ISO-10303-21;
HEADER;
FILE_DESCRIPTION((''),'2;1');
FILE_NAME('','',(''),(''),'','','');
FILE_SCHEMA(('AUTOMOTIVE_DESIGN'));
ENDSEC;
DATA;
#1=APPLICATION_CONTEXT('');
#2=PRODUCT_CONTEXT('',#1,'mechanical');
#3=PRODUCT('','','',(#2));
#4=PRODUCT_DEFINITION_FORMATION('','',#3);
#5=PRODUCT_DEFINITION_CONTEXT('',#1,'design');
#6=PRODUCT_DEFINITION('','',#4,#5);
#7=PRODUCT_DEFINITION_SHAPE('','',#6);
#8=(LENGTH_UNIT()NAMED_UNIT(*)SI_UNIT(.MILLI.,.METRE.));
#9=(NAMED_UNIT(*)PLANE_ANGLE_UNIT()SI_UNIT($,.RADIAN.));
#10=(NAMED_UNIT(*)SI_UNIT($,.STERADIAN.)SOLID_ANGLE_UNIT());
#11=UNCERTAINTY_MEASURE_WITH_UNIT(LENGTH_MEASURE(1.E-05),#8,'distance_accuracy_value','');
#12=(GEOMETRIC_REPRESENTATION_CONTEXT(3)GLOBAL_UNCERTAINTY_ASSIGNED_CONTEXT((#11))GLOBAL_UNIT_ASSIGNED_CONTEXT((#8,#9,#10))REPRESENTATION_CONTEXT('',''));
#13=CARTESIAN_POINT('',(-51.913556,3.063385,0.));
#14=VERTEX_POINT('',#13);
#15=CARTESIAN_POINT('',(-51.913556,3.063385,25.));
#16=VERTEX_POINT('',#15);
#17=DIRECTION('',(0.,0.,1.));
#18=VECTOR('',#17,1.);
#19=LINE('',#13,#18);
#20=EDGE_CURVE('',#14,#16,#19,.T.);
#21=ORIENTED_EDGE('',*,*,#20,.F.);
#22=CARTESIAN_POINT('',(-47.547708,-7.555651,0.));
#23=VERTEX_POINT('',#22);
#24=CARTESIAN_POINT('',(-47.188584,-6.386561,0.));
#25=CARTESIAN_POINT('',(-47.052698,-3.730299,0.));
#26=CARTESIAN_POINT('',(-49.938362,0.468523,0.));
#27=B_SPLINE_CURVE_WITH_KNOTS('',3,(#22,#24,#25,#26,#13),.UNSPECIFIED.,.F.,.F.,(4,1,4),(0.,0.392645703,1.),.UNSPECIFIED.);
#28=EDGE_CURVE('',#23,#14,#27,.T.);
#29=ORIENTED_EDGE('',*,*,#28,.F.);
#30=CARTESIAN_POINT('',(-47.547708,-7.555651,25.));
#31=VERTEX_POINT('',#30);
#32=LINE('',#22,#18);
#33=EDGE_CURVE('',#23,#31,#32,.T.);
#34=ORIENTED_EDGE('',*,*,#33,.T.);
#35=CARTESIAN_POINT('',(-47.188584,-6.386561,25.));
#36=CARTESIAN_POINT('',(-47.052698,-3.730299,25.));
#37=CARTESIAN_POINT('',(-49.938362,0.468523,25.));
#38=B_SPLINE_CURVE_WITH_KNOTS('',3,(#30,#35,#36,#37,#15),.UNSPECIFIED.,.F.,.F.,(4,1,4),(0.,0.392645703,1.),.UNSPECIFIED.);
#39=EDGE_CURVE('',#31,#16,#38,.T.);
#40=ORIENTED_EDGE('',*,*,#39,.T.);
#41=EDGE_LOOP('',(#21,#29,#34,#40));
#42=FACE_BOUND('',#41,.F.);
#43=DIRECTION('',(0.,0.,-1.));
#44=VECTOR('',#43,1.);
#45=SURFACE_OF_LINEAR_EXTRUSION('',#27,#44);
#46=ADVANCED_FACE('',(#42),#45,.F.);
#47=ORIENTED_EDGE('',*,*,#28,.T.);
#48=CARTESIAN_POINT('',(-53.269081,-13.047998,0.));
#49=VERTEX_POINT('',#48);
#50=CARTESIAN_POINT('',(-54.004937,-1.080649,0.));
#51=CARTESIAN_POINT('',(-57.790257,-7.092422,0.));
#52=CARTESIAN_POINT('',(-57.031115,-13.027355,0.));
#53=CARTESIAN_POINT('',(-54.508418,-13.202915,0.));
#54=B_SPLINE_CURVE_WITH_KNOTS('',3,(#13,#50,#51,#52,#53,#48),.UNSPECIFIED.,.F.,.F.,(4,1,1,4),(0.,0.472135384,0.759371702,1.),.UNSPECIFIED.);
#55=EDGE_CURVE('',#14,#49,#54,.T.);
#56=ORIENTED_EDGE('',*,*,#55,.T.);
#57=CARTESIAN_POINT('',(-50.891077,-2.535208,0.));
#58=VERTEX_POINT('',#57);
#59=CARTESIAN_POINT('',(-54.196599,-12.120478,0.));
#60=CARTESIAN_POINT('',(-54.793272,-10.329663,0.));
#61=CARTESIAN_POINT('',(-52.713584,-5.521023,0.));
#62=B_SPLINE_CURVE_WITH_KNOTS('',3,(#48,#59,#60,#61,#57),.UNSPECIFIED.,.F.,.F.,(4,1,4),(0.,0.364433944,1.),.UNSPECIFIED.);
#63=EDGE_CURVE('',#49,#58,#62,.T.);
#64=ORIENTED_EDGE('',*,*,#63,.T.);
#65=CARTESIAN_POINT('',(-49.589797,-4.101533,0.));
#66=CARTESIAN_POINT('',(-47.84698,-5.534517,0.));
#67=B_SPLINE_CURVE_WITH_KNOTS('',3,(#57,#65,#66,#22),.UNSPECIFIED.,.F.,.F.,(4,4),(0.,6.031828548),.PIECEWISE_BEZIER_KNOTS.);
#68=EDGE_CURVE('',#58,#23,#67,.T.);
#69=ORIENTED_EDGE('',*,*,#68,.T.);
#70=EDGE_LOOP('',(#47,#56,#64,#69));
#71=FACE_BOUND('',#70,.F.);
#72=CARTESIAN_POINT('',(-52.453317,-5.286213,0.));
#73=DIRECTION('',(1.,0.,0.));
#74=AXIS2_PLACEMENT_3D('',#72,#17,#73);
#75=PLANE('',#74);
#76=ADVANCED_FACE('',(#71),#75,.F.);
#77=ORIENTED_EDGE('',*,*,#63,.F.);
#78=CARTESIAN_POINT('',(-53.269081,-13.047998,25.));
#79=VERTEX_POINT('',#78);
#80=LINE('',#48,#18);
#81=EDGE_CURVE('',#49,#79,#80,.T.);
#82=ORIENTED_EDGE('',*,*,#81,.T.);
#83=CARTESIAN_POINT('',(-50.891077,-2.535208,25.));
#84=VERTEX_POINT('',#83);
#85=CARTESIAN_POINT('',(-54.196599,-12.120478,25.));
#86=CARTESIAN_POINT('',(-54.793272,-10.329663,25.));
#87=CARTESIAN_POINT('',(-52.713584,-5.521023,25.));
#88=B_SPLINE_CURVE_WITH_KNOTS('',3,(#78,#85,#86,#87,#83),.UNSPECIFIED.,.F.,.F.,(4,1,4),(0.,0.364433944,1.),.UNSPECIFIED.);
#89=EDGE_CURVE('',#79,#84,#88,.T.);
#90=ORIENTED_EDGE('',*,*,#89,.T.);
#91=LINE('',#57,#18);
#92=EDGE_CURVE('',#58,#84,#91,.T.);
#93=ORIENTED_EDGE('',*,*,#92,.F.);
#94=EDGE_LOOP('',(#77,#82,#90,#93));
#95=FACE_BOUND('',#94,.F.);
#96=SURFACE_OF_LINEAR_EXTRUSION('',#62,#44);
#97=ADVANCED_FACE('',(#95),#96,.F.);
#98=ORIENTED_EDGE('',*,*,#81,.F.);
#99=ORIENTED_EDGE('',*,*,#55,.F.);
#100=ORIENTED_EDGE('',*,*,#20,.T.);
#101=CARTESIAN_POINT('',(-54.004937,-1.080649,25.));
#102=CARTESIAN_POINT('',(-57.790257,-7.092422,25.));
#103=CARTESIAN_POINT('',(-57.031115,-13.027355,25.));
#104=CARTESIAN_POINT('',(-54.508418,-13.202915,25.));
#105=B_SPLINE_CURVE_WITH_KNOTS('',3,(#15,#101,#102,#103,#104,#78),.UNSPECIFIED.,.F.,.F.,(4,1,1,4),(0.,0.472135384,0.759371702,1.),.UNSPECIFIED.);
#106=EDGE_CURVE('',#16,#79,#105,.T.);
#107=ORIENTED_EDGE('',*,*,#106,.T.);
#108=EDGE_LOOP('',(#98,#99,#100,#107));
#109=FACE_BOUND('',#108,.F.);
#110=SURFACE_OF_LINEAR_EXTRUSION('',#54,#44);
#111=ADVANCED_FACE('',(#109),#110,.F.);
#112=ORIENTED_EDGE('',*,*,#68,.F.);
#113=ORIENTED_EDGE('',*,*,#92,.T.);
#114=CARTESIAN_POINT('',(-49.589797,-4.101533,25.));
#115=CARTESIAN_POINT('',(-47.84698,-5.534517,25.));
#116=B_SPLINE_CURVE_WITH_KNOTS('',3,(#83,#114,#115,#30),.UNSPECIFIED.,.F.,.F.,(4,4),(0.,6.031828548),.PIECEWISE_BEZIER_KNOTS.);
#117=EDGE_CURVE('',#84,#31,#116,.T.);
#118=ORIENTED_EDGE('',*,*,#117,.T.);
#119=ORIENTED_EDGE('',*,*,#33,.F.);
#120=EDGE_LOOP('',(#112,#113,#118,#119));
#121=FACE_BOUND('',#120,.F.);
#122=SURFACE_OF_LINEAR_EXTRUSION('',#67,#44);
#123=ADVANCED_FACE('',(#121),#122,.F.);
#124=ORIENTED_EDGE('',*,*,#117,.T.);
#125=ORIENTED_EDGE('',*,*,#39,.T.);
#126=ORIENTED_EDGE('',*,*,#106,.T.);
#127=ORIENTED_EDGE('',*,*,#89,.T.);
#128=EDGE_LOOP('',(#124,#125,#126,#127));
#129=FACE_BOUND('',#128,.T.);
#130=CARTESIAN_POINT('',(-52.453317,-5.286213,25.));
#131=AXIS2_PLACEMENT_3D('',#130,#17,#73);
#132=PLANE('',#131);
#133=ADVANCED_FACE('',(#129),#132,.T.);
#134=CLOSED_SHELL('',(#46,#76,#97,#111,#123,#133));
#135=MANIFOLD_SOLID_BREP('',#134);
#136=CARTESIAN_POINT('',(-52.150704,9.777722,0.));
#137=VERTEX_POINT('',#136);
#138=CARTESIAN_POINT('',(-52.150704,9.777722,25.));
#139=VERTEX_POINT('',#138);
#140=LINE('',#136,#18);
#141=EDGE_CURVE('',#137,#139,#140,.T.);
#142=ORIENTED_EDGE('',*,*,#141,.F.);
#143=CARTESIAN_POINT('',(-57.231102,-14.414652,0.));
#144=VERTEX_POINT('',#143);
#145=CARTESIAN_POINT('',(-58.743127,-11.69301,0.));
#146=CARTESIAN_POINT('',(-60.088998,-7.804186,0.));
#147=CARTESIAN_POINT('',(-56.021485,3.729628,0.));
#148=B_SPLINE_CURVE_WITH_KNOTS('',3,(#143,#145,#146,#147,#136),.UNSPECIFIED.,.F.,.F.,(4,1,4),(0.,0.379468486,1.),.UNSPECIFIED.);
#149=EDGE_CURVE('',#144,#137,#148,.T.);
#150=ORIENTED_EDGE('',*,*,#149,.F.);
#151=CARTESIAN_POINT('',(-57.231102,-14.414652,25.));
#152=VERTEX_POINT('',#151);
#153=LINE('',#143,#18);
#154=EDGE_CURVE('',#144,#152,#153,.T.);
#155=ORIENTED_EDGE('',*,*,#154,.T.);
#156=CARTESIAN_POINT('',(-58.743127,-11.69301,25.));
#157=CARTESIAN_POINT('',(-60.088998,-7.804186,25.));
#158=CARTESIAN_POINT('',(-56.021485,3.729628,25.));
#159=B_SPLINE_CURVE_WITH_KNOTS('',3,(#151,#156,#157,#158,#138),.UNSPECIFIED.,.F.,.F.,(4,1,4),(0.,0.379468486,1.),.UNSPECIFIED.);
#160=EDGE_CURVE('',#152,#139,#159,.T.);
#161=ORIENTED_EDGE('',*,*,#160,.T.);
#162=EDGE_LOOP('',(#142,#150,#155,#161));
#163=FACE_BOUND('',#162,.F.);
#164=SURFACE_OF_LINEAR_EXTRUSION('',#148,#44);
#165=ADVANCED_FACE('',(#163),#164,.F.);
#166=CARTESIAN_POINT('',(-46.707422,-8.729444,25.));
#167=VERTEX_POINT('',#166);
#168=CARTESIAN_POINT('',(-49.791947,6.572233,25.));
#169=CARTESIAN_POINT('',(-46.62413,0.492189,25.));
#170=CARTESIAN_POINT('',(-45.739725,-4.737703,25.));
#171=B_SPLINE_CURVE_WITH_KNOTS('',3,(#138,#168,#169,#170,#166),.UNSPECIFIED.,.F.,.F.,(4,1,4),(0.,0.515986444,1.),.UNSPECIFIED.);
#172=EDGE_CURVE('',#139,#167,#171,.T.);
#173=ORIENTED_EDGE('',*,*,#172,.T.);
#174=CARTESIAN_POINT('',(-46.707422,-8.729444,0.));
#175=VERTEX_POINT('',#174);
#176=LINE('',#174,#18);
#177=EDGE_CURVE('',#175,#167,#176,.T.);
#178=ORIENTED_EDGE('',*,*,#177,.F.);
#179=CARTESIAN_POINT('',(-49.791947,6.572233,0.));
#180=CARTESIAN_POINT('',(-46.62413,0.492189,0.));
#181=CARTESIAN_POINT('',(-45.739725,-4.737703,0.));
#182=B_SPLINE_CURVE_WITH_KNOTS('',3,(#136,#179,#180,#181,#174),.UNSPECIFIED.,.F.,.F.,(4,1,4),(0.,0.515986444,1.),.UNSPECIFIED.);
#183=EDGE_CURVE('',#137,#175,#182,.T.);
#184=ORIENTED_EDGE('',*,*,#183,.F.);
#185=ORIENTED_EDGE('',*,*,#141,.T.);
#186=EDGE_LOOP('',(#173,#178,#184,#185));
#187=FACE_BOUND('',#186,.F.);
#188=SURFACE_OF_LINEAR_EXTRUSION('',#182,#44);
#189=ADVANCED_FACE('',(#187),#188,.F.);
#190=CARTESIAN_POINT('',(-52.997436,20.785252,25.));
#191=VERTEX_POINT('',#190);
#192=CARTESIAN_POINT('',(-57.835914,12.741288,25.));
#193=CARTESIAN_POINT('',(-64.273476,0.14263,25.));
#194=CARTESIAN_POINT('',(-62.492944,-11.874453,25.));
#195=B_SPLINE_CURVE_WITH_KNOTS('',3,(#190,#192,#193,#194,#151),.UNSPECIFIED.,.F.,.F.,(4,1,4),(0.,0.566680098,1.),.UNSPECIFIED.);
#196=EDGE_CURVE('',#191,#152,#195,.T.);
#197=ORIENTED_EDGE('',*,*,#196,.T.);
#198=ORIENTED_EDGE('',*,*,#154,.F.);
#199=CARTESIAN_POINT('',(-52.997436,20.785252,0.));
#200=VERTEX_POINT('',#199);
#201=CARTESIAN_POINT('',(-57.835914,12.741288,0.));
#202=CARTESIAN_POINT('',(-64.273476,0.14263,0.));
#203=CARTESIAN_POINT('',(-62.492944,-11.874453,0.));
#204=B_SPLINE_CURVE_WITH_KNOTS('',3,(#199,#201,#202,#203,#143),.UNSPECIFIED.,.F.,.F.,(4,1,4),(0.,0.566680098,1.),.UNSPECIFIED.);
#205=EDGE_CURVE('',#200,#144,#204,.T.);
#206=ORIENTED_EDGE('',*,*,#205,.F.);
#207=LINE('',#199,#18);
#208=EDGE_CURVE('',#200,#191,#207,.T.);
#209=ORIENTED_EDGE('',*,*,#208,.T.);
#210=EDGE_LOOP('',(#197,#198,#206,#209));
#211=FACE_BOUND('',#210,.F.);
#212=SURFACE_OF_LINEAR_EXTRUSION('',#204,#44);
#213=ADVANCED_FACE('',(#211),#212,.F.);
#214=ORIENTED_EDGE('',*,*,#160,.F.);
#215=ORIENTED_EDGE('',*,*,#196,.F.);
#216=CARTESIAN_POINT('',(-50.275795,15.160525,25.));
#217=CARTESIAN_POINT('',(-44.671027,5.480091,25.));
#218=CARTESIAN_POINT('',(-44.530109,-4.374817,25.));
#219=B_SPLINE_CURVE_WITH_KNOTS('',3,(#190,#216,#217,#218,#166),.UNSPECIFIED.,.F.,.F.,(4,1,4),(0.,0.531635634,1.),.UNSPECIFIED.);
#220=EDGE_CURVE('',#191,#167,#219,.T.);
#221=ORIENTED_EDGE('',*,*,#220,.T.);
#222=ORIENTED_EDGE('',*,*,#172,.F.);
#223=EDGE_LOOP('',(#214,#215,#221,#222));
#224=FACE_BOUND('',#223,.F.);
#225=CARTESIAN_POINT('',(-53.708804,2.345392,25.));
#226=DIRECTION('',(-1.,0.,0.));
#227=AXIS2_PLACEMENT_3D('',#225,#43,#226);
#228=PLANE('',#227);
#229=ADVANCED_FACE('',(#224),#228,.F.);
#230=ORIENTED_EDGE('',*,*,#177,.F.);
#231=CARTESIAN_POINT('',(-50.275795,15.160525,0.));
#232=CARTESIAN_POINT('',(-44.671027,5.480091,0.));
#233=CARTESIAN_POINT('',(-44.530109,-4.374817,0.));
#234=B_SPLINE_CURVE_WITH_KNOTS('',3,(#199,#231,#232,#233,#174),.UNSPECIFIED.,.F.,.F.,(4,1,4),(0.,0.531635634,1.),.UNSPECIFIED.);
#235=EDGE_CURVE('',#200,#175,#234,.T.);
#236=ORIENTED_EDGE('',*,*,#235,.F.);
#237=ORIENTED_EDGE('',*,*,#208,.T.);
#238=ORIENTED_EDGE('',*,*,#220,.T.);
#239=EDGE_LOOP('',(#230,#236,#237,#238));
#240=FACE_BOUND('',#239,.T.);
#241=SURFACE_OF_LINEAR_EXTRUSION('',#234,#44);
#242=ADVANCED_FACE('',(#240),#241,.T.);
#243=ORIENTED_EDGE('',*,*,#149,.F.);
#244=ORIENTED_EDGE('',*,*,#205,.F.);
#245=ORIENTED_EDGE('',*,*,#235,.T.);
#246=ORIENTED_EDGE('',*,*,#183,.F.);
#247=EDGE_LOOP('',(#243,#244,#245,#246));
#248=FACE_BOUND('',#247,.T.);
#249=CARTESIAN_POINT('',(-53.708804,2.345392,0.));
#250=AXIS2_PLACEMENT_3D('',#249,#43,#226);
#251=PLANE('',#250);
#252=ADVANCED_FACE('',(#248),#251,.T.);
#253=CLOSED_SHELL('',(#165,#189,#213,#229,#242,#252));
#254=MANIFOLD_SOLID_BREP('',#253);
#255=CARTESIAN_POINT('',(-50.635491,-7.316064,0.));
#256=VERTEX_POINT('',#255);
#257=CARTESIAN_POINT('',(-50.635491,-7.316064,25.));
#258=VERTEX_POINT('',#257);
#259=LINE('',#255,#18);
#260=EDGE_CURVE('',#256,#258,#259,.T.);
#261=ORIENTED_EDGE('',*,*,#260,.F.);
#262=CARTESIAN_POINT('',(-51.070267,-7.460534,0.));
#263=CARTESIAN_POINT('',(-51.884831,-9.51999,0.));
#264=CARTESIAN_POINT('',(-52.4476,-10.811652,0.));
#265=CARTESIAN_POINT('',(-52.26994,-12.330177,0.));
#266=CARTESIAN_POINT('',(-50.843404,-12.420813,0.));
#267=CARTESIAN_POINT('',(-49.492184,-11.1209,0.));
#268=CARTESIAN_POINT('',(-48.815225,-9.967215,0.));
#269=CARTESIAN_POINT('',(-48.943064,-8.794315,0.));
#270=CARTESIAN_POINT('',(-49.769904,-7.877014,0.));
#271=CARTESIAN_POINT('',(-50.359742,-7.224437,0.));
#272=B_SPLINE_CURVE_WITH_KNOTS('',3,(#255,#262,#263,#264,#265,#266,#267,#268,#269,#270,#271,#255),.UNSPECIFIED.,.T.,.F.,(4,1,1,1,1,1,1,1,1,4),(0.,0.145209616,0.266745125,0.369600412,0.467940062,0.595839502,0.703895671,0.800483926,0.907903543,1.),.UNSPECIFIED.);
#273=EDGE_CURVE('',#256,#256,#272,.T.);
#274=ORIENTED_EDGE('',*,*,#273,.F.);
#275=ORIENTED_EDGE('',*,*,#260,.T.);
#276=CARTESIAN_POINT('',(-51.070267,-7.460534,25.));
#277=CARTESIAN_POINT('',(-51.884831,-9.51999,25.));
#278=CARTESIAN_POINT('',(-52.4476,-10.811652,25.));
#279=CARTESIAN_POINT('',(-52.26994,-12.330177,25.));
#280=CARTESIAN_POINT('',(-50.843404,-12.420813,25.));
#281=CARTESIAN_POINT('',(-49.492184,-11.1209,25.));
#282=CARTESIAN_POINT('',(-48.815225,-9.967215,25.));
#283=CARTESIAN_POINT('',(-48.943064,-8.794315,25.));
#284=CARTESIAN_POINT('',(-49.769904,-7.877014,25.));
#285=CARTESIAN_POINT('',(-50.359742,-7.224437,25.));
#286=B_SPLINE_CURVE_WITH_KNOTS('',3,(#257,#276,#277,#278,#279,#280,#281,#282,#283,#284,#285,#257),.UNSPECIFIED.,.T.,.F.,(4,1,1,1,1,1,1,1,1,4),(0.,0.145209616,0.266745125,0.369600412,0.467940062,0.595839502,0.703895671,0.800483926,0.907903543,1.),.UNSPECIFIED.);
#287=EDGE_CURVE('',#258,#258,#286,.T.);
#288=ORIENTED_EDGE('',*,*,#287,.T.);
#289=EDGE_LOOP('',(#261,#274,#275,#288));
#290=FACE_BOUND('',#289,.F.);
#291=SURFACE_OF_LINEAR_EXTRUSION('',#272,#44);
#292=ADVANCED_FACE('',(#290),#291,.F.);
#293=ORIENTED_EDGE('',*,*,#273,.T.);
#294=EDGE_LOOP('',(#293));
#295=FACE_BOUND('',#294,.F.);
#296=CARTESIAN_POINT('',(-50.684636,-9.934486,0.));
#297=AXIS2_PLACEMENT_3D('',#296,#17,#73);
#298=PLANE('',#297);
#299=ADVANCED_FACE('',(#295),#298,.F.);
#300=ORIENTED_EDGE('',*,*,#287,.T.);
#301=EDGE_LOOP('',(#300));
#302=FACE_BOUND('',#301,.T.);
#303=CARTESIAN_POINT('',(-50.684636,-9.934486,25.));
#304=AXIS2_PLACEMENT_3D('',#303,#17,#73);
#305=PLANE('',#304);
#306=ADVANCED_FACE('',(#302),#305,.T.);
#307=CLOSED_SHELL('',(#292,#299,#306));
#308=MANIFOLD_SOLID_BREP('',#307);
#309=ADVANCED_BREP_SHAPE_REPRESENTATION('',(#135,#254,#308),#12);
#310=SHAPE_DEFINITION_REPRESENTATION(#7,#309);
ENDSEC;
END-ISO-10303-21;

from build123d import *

# Parameters (mm, degrees)
F1_DEPTH = 25


with BuildPart() as f1:
    # F0 (on Top) → F1 (new body)
    with BuildSketch(Plane.XY):
        with BuildLine():
            add(Edge.make_bspline(
                [(-52.9974363744, 20.7852516323), (-50.2757951617, 15.1605252177), (-44.6710266869, 5.4800907667), (-44.5301085711, -4.3748170137), (-46.7074215412, -8.7294438854)],
                knots=[0, 0, 0, 0, 0.5316356339, 1, 1, 1, 1], degree=3))
            add(Edge.make_bspline(
                [(-52.9974363744, 20.7852516323), (-57.8359141946, 12.7412881702), (-64.2734760638, 0.1426304806), (-62.4929443002, -11.8744531646), (-57.2311021388, -14.4146522507)],
                knots=[0, 0, 0, 0, 0.566680098, 1, 1, 1, 1], degree=3))
            add(Edge.make_bspline(
                [(-57.2311021388, -14.4146522507), (-58.7431266904, -11.6930101067), (-60.0889979899, -7.8041864407), (-56.0214854777, 3.7296281662), (-52.1507039666, 9.7777219489)],
                knots=[0, 0, 0, 0, 0.3794684857, 1, 1, 1, 1], degree=3))
            add(Edge.make_bspline(
                [(-52.1507039666, 9.7777219489), (-49.7919470072, 6.5722325817), (-46.6241297533, 0.4921891647), (-45.7397252321, -4.737702664), (-46.7074215412, -8.7294438854)],
                knots=[0, 0, 0, 0, 0.5159864443, 1, 1, 1, 1], degree=3))
        make_face()
    extrude(amount=F1_DEPTH)


with BuildPart() as f1b:
    # F0 (on Top) → F1, piece 2 (new body)
    with BuildSketch(Plane.XY):
        with BuildLine():
            add(Edge.make_bspline(
                [(-51.9135557115, 3.0633846764), (-54.0049374104, -1.0806486243), (-57.7902565815, -7.0924224922), (-57.0311146226, -13.0273550866), (-54.5084178448, -13.2029149681), (-53.2690808177, -13.0479978397)],
                knots=[0, 0, 0, 0, 0.4721353842, 0.7593717025, 1, 1, 1, 1], degree=3))
            add(Edge.make_bspline(
                [(-53.2690808177, -13.0479978397), (-54.1965989754, -12.1204778234), (-54.7932720181, -10.3296628525), (-52.7135841684, -5.5210231409), (-50.8910765232, -2.5352080762)],
                knots=[0, 0, 0, 0, 0.3644339441, 1, 1, 1, 1], degree=3))
            add(Edge.make_bspline(
                [(-50.8910765232, -2.5352080762), (-49.5897966127, -4.1015329771), (-47.8469803929, -5.5345166475), (-47.5477080203, -7.5556505553)],
                knots=[0, 0, 0, 0, 6.031828548, 6.031828548, 6.031828548, 6.031828548], degree=3))
            add(Edge.make_bspline(
                [(-47.5477080203, -7.5556505553), (-47.1885837615, -6.3865608536), (-47.0526977479, -3.7302992847), (-49.9383620918, 0.4685227177), (-51.9135557115, 3.0633846764)],
                knots=[0, 0, 0, 0, 0.3926457033, 1, 1, 1, 1], degree=3))
        make_face()
    extrude(amount=F1_DEPTH)


with BuildPart() as f1c:
    # F0 (on Top) → F1, piece 3 (new body)
    with BuildSketch(Plane.XY):
        with BuildLine():
            add(Edge.make_bspline(
                [(-50.6354905665, -7.3160640895), (-51.0702673118, -7.4605337174), (-51.8848310248, -9.5199897206), (-52.4476000215, -10.811651993), (-52.269940426, -12.3301767035), (-50.8434040716, -12.4208133574), (-49.4921841528, -11.1208995159), (-48.8152250169, -9.9672150807), (-48.9430635904, -8.7943150649), (-49.7699038433, -7.8770136828), (-50.3597416266, -7.2244369564), (-50.6354905665, -7.3160640895)],
                knots=[0, 0, 0, 0, 0.145209616, 0.2667451253, 0.3696004116, 0.4679400624, 0.5958395023, 0.7038956714, 0.8004839263, 0.9079035434, 1, 1, 1, 1], degree=3))
        make_face()
    extrude(amount=F1_DEPTH)


solid = Compound([f1.part, f1b.part, f1c.part])
